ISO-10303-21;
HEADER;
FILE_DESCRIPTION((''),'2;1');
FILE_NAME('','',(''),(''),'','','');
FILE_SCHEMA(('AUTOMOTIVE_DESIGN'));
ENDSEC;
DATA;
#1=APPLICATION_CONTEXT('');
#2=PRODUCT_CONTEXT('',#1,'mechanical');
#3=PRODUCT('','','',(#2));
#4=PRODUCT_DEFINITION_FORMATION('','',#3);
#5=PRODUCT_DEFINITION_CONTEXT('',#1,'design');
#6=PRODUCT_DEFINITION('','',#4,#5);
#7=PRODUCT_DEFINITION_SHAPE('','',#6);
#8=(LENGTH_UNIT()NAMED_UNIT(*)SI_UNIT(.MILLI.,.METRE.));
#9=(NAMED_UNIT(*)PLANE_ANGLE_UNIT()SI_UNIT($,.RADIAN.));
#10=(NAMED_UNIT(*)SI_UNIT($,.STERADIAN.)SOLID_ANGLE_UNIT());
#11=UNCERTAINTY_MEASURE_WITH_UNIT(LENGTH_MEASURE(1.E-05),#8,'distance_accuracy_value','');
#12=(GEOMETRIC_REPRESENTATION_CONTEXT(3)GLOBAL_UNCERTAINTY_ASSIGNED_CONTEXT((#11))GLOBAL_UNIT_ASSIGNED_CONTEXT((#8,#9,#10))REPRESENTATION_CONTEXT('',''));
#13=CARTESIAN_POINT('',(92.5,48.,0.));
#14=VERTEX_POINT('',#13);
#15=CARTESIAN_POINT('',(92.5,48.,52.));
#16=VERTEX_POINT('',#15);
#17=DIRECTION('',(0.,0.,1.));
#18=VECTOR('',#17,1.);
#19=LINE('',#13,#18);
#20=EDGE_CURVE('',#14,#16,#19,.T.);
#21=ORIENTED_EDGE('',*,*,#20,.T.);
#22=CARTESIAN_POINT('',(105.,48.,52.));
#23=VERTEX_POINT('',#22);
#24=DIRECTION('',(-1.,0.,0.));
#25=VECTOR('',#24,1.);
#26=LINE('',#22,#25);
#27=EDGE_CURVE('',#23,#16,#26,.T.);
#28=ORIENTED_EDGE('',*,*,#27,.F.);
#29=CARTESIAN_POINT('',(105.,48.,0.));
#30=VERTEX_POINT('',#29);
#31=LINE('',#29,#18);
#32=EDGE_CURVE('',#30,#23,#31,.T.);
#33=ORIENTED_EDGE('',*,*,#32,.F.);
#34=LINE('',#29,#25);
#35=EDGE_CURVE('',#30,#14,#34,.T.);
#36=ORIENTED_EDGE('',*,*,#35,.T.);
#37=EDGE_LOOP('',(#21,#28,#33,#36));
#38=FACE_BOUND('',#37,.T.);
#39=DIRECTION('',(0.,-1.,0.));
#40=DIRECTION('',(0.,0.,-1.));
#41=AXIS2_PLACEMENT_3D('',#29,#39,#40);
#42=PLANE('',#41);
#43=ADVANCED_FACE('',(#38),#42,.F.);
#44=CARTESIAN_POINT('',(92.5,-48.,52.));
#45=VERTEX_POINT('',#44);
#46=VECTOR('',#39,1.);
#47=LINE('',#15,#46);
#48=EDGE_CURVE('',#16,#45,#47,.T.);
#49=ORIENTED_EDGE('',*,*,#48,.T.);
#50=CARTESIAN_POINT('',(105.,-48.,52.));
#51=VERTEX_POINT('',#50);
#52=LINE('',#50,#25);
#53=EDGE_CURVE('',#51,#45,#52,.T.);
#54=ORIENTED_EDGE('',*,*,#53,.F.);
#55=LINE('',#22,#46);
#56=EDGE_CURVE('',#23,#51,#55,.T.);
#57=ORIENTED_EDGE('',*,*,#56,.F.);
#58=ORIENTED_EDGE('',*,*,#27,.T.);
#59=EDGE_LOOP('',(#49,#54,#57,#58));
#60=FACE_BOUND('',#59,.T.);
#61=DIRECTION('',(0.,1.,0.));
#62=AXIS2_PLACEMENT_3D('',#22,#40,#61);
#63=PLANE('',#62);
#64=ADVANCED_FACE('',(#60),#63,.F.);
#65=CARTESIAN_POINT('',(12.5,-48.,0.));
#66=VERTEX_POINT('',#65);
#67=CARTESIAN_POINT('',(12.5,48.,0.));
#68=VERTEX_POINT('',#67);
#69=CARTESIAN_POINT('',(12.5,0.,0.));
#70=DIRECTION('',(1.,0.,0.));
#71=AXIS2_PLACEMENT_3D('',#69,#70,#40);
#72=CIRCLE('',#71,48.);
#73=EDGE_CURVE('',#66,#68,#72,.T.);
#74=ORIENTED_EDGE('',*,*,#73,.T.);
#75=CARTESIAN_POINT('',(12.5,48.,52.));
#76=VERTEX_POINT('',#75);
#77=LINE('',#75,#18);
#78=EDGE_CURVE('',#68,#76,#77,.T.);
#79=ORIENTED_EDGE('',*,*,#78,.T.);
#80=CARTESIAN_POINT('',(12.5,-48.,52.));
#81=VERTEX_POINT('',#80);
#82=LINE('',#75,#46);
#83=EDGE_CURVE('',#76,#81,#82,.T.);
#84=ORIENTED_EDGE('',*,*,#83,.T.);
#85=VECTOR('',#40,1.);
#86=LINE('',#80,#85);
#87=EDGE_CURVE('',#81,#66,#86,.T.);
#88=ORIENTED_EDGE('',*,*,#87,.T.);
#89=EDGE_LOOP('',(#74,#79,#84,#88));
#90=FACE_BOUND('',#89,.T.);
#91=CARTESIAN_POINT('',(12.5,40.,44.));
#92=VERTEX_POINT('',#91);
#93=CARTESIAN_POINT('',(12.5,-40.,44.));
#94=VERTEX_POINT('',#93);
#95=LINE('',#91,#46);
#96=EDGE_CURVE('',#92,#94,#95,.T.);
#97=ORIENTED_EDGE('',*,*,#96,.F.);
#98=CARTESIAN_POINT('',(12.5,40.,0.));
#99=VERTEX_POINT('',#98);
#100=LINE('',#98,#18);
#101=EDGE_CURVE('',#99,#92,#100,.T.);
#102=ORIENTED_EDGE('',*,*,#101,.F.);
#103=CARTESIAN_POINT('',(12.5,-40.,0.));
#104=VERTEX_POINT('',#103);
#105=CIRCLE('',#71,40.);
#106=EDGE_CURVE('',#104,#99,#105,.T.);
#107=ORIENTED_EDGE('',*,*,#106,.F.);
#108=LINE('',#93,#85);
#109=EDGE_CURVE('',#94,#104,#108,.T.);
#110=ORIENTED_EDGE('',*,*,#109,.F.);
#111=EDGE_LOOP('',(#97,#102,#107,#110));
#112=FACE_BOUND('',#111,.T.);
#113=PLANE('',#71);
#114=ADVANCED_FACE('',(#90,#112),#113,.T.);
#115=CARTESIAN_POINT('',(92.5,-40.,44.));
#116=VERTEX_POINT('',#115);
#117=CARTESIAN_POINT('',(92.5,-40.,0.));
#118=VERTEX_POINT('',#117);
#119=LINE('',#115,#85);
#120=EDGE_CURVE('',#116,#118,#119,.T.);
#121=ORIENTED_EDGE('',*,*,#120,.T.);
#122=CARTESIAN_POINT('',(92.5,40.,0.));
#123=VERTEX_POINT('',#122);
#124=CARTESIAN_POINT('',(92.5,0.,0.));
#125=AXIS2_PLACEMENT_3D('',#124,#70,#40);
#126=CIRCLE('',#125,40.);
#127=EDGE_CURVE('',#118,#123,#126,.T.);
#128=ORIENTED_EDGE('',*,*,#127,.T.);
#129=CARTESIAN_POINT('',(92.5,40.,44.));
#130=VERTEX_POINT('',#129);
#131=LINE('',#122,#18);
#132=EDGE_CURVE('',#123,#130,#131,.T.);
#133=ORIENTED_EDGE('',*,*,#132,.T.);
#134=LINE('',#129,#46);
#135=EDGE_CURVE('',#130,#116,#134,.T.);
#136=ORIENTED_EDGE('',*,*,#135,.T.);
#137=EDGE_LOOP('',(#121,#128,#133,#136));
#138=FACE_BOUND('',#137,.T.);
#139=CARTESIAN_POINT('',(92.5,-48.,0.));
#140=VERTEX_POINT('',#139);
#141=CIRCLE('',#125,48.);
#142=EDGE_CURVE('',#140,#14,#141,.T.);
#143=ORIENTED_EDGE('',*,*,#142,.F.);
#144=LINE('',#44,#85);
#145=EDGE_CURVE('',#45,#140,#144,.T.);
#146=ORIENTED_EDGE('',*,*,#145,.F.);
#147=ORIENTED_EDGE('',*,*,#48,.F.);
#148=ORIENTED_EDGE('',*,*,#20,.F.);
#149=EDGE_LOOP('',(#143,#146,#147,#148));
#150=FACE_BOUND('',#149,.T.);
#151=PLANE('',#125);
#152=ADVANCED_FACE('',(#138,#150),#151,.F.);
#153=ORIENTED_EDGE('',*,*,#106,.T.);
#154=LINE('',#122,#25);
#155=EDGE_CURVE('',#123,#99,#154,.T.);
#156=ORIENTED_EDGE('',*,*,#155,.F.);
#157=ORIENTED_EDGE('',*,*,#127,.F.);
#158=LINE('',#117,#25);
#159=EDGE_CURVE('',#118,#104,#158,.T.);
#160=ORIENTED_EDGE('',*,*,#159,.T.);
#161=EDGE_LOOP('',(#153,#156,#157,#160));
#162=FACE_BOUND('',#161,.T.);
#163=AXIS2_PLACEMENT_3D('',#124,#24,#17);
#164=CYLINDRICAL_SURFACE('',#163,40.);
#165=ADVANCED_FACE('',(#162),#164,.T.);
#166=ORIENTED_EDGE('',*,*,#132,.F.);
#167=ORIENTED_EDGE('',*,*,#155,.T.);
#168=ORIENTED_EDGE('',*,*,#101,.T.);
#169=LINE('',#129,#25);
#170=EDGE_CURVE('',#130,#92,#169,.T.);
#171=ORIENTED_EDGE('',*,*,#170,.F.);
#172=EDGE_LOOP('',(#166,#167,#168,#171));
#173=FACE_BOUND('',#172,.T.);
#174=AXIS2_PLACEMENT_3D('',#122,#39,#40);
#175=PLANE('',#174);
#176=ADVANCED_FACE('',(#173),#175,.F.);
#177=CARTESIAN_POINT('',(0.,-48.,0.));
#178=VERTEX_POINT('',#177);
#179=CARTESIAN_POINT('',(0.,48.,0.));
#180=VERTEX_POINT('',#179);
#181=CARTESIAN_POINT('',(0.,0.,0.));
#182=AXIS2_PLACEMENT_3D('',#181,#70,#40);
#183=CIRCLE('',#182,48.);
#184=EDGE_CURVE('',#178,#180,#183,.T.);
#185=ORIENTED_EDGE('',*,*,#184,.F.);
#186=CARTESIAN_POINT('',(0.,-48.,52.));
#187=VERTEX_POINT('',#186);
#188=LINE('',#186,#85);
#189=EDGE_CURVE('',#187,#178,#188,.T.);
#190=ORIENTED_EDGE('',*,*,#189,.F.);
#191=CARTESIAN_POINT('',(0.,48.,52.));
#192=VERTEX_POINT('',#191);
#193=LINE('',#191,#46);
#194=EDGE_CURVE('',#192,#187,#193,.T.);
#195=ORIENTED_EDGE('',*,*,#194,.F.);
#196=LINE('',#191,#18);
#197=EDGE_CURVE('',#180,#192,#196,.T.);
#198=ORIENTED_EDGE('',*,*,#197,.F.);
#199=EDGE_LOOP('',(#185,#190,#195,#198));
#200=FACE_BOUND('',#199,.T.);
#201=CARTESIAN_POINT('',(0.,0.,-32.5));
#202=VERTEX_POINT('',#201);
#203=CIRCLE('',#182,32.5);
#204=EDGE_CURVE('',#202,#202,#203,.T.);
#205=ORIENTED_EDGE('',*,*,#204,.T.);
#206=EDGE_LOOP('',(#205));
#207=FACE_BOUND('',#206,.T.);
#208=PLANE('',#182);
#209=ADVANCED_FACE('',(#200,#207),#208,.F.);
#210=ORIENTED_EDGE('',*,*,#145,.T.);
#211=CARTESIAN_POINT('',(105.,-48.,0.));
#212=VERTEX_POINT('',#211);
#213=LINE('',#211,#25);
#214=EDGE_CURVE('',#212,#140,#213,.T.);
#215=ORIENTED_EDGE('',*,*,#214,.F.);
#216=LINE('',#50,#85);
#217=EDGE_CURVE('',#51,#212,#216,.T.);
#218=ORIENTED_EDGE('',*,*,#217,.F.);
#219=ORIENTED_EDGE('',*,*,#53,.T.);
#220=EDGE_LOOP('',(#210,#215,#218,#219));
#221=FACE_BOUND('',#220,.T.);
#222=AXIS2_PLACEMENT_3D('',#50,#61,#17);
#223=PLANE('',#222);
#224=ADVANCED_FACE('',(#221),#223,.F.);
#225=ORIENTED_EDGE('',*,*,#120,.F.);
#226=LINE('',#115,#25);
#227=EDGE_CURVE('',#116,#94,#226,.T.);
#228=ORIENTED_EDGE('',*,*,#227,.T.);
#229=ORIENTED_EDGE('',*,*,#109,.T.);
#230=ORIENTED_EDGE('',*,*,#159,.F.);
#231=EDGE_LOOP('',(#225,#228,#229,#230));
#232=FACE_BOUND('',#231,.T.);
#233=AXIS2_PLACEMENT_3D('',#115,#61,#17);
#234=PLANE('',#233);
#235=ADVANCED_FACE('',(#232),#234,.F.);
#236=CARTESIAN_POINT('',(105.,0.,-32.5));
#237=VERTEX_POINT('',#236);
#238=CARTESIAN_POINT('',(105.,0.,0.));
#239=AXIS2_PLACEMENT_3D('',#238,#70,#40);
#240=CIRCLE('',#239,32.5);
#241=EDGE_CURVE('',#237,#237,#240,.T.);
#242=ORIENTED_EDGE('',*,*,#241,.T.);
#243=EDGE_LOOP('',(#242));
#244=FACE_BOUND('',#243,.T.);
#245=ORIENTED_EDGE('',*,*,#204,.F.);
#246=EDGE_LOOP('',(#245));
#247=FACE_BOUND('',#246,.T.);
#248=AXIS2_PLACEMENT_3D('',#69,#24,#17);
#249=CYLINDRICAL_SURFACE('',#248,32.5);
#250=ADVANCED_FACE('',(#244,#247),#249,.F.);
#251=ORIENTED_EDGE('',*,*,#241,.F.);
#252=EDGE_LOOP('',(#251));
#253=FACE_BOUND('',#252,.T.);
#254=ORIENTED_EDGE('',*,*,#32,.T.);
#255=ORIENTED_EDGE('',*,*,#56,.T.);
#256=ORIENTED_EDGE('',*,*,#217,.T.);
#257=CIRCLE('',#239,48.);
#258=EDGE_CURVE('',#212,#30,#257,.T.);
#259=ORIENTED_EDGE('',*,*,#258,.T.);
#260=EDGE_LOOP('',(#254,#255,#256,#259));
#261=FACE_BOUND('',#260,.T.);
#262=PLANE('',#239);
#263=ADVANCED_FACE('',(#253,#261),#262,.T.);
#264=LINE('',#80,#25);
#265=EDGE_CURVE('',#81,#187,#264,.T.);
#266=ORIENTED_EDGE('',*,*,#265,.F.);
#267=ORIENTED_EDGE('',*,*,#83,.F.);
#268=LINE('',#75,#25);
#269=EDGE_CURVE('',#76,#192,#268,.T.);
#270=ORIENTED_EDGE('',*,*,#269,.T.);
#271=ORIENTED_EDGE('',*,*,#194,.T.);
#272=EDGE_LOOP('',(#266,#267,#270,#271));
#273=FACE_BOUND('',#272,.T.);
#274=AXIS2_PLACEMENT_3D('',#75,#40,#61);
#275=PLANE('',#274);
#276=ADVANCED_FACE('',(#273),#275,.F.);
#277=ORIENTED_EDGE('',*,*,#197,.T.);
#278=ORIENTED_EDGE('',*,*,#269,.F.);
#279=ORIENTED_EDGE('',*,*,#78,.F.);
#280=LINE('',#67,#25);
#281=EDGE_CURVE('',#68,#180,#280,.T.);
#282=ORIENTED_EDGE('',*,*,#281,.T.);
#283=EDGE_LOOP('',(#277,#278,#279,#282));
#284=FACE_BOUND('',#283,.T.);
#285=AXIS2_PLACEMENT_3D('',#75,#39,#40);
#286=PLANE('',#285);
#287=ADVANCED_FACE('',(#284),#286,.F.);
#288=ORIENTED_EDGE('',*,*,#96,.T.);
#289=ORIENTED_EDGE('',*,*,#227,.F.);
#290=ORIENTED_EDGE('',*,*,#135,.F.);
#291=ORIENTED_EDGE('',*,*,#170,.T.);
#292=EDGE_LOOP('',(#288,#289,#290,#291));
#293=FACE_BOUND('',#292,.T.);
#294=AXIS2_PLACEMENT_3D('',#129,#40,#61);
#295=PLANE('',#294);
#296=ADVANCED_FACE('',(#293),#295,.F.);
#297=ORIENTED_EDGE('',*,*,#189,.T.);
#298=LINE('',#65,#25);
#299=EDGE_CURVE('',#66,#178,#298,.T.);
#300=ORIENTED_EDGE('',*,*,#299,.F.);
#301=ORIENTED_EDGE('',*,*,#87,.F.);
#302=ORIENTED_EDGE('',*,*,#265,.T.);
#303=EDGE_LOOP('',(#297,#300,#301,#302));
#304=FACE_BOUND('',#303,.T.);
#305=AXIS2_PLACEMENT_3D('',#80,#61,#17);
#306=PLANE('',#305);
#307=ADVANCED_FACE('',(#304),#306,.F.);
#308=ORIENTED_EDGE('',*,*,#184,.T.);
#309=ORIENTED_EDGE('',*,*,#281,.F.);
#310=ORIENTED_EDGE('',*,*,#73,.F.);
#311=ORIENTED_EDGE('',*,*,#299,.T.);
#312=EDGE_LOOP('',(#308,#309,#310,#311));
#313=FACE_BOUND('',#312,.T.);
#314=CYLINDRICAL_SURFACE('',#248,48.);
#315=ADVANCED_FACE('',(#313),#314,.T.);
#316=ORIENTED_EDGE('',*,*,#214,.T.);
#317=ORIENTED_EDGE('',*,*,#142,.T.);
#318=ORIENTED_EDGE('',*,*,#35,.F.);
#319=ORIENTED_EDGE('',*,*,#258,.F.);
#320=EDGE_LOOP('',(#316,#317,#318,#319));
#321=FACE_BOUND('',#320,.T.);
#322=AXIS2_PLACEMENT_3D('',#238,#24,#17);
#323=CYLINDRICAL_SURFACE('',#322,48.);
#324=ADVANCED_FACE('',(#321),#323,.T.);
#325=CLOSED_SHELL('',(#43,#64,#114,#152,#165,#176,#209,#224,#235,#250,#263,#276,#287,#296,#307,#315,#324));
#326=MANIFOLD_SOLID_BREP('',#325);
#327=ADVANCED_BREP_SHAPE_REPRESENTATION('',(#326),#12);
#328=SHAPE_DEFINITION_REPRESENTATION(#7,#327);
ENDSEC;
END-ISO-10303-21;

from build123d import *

# Parameters (mm, degrees)
SKETCH1_R           = 32.5
BOSS_EXTRUDE1_DEPTH = 12.5
SKETCH2_R           = 32.5
BOSS_EXTRUDE2_DEPTH = 80
SKETCH3_R           = 32.5
BOSS_EXTRUDE3_DEPTH = 12.5


with BuildPart() as part:
    # Sketch1 → Boss-Extrude1 (new body)
    with BuildSketch(Plane(origin=(0, 0, 0), x_dir=(0, 0, -1), z_dir=(1, 0, 0))):
        with BuildLine():
            Line((-52, 48), (-52, -48))
            Line((-52, -48), (0, -48))
            ThreePointArc((0, -48), (48, 0), (0, 48))
            Line((0, 48), (-52, 48))
        make_face()
        Circle(SKETCH1_R, mode=Mode.SUBTRACT)
    extrude(amount=BOSS_EXTRUDE1_DEPTH)

    # Sketch2 → Boss-Extrude2 (add)
    with BuildSketch(Plane(origin=(12.5, 0, 0), x_dir=(0, 0, -1), z_dir=(1, 0, 0))):
        with BuildLine():
            Line((0, 40), (-44, 40))
            Line((-44, 40), (-44, -40))
            Line((-44, -40), (0, -40))
            ThreePointArc((0, -40), (40, 0), (0, 40))
        make_face()
        Circle(SKETCH2_R, mode=Mode.SUBTRACT)
    extrude(amount=BOSS_EXTRUDE2_DEPTH)

    # Sketch3 → Boss-Extrude3 (add)
    with BuildSketch(Plane(origin=(92.5, 0, 0), x_dir=(0, 0, -1), z_dir=(1, 0, 0))):
        with BuildLine():
            Line((0, 48), (-52, 48))
            Line((-52, 48), (-52, -48))
            Line((-52, -48), (0, -48))
            ThreePointArc((0, -48), (48, 0), (0, 48))
        make_face()
        Circle(SKETCH3_R, mode=Mode.SUBTRACT)
    extrude(amount=BOSS_EXTRUDE3_DEPTH)


solid = part.part
